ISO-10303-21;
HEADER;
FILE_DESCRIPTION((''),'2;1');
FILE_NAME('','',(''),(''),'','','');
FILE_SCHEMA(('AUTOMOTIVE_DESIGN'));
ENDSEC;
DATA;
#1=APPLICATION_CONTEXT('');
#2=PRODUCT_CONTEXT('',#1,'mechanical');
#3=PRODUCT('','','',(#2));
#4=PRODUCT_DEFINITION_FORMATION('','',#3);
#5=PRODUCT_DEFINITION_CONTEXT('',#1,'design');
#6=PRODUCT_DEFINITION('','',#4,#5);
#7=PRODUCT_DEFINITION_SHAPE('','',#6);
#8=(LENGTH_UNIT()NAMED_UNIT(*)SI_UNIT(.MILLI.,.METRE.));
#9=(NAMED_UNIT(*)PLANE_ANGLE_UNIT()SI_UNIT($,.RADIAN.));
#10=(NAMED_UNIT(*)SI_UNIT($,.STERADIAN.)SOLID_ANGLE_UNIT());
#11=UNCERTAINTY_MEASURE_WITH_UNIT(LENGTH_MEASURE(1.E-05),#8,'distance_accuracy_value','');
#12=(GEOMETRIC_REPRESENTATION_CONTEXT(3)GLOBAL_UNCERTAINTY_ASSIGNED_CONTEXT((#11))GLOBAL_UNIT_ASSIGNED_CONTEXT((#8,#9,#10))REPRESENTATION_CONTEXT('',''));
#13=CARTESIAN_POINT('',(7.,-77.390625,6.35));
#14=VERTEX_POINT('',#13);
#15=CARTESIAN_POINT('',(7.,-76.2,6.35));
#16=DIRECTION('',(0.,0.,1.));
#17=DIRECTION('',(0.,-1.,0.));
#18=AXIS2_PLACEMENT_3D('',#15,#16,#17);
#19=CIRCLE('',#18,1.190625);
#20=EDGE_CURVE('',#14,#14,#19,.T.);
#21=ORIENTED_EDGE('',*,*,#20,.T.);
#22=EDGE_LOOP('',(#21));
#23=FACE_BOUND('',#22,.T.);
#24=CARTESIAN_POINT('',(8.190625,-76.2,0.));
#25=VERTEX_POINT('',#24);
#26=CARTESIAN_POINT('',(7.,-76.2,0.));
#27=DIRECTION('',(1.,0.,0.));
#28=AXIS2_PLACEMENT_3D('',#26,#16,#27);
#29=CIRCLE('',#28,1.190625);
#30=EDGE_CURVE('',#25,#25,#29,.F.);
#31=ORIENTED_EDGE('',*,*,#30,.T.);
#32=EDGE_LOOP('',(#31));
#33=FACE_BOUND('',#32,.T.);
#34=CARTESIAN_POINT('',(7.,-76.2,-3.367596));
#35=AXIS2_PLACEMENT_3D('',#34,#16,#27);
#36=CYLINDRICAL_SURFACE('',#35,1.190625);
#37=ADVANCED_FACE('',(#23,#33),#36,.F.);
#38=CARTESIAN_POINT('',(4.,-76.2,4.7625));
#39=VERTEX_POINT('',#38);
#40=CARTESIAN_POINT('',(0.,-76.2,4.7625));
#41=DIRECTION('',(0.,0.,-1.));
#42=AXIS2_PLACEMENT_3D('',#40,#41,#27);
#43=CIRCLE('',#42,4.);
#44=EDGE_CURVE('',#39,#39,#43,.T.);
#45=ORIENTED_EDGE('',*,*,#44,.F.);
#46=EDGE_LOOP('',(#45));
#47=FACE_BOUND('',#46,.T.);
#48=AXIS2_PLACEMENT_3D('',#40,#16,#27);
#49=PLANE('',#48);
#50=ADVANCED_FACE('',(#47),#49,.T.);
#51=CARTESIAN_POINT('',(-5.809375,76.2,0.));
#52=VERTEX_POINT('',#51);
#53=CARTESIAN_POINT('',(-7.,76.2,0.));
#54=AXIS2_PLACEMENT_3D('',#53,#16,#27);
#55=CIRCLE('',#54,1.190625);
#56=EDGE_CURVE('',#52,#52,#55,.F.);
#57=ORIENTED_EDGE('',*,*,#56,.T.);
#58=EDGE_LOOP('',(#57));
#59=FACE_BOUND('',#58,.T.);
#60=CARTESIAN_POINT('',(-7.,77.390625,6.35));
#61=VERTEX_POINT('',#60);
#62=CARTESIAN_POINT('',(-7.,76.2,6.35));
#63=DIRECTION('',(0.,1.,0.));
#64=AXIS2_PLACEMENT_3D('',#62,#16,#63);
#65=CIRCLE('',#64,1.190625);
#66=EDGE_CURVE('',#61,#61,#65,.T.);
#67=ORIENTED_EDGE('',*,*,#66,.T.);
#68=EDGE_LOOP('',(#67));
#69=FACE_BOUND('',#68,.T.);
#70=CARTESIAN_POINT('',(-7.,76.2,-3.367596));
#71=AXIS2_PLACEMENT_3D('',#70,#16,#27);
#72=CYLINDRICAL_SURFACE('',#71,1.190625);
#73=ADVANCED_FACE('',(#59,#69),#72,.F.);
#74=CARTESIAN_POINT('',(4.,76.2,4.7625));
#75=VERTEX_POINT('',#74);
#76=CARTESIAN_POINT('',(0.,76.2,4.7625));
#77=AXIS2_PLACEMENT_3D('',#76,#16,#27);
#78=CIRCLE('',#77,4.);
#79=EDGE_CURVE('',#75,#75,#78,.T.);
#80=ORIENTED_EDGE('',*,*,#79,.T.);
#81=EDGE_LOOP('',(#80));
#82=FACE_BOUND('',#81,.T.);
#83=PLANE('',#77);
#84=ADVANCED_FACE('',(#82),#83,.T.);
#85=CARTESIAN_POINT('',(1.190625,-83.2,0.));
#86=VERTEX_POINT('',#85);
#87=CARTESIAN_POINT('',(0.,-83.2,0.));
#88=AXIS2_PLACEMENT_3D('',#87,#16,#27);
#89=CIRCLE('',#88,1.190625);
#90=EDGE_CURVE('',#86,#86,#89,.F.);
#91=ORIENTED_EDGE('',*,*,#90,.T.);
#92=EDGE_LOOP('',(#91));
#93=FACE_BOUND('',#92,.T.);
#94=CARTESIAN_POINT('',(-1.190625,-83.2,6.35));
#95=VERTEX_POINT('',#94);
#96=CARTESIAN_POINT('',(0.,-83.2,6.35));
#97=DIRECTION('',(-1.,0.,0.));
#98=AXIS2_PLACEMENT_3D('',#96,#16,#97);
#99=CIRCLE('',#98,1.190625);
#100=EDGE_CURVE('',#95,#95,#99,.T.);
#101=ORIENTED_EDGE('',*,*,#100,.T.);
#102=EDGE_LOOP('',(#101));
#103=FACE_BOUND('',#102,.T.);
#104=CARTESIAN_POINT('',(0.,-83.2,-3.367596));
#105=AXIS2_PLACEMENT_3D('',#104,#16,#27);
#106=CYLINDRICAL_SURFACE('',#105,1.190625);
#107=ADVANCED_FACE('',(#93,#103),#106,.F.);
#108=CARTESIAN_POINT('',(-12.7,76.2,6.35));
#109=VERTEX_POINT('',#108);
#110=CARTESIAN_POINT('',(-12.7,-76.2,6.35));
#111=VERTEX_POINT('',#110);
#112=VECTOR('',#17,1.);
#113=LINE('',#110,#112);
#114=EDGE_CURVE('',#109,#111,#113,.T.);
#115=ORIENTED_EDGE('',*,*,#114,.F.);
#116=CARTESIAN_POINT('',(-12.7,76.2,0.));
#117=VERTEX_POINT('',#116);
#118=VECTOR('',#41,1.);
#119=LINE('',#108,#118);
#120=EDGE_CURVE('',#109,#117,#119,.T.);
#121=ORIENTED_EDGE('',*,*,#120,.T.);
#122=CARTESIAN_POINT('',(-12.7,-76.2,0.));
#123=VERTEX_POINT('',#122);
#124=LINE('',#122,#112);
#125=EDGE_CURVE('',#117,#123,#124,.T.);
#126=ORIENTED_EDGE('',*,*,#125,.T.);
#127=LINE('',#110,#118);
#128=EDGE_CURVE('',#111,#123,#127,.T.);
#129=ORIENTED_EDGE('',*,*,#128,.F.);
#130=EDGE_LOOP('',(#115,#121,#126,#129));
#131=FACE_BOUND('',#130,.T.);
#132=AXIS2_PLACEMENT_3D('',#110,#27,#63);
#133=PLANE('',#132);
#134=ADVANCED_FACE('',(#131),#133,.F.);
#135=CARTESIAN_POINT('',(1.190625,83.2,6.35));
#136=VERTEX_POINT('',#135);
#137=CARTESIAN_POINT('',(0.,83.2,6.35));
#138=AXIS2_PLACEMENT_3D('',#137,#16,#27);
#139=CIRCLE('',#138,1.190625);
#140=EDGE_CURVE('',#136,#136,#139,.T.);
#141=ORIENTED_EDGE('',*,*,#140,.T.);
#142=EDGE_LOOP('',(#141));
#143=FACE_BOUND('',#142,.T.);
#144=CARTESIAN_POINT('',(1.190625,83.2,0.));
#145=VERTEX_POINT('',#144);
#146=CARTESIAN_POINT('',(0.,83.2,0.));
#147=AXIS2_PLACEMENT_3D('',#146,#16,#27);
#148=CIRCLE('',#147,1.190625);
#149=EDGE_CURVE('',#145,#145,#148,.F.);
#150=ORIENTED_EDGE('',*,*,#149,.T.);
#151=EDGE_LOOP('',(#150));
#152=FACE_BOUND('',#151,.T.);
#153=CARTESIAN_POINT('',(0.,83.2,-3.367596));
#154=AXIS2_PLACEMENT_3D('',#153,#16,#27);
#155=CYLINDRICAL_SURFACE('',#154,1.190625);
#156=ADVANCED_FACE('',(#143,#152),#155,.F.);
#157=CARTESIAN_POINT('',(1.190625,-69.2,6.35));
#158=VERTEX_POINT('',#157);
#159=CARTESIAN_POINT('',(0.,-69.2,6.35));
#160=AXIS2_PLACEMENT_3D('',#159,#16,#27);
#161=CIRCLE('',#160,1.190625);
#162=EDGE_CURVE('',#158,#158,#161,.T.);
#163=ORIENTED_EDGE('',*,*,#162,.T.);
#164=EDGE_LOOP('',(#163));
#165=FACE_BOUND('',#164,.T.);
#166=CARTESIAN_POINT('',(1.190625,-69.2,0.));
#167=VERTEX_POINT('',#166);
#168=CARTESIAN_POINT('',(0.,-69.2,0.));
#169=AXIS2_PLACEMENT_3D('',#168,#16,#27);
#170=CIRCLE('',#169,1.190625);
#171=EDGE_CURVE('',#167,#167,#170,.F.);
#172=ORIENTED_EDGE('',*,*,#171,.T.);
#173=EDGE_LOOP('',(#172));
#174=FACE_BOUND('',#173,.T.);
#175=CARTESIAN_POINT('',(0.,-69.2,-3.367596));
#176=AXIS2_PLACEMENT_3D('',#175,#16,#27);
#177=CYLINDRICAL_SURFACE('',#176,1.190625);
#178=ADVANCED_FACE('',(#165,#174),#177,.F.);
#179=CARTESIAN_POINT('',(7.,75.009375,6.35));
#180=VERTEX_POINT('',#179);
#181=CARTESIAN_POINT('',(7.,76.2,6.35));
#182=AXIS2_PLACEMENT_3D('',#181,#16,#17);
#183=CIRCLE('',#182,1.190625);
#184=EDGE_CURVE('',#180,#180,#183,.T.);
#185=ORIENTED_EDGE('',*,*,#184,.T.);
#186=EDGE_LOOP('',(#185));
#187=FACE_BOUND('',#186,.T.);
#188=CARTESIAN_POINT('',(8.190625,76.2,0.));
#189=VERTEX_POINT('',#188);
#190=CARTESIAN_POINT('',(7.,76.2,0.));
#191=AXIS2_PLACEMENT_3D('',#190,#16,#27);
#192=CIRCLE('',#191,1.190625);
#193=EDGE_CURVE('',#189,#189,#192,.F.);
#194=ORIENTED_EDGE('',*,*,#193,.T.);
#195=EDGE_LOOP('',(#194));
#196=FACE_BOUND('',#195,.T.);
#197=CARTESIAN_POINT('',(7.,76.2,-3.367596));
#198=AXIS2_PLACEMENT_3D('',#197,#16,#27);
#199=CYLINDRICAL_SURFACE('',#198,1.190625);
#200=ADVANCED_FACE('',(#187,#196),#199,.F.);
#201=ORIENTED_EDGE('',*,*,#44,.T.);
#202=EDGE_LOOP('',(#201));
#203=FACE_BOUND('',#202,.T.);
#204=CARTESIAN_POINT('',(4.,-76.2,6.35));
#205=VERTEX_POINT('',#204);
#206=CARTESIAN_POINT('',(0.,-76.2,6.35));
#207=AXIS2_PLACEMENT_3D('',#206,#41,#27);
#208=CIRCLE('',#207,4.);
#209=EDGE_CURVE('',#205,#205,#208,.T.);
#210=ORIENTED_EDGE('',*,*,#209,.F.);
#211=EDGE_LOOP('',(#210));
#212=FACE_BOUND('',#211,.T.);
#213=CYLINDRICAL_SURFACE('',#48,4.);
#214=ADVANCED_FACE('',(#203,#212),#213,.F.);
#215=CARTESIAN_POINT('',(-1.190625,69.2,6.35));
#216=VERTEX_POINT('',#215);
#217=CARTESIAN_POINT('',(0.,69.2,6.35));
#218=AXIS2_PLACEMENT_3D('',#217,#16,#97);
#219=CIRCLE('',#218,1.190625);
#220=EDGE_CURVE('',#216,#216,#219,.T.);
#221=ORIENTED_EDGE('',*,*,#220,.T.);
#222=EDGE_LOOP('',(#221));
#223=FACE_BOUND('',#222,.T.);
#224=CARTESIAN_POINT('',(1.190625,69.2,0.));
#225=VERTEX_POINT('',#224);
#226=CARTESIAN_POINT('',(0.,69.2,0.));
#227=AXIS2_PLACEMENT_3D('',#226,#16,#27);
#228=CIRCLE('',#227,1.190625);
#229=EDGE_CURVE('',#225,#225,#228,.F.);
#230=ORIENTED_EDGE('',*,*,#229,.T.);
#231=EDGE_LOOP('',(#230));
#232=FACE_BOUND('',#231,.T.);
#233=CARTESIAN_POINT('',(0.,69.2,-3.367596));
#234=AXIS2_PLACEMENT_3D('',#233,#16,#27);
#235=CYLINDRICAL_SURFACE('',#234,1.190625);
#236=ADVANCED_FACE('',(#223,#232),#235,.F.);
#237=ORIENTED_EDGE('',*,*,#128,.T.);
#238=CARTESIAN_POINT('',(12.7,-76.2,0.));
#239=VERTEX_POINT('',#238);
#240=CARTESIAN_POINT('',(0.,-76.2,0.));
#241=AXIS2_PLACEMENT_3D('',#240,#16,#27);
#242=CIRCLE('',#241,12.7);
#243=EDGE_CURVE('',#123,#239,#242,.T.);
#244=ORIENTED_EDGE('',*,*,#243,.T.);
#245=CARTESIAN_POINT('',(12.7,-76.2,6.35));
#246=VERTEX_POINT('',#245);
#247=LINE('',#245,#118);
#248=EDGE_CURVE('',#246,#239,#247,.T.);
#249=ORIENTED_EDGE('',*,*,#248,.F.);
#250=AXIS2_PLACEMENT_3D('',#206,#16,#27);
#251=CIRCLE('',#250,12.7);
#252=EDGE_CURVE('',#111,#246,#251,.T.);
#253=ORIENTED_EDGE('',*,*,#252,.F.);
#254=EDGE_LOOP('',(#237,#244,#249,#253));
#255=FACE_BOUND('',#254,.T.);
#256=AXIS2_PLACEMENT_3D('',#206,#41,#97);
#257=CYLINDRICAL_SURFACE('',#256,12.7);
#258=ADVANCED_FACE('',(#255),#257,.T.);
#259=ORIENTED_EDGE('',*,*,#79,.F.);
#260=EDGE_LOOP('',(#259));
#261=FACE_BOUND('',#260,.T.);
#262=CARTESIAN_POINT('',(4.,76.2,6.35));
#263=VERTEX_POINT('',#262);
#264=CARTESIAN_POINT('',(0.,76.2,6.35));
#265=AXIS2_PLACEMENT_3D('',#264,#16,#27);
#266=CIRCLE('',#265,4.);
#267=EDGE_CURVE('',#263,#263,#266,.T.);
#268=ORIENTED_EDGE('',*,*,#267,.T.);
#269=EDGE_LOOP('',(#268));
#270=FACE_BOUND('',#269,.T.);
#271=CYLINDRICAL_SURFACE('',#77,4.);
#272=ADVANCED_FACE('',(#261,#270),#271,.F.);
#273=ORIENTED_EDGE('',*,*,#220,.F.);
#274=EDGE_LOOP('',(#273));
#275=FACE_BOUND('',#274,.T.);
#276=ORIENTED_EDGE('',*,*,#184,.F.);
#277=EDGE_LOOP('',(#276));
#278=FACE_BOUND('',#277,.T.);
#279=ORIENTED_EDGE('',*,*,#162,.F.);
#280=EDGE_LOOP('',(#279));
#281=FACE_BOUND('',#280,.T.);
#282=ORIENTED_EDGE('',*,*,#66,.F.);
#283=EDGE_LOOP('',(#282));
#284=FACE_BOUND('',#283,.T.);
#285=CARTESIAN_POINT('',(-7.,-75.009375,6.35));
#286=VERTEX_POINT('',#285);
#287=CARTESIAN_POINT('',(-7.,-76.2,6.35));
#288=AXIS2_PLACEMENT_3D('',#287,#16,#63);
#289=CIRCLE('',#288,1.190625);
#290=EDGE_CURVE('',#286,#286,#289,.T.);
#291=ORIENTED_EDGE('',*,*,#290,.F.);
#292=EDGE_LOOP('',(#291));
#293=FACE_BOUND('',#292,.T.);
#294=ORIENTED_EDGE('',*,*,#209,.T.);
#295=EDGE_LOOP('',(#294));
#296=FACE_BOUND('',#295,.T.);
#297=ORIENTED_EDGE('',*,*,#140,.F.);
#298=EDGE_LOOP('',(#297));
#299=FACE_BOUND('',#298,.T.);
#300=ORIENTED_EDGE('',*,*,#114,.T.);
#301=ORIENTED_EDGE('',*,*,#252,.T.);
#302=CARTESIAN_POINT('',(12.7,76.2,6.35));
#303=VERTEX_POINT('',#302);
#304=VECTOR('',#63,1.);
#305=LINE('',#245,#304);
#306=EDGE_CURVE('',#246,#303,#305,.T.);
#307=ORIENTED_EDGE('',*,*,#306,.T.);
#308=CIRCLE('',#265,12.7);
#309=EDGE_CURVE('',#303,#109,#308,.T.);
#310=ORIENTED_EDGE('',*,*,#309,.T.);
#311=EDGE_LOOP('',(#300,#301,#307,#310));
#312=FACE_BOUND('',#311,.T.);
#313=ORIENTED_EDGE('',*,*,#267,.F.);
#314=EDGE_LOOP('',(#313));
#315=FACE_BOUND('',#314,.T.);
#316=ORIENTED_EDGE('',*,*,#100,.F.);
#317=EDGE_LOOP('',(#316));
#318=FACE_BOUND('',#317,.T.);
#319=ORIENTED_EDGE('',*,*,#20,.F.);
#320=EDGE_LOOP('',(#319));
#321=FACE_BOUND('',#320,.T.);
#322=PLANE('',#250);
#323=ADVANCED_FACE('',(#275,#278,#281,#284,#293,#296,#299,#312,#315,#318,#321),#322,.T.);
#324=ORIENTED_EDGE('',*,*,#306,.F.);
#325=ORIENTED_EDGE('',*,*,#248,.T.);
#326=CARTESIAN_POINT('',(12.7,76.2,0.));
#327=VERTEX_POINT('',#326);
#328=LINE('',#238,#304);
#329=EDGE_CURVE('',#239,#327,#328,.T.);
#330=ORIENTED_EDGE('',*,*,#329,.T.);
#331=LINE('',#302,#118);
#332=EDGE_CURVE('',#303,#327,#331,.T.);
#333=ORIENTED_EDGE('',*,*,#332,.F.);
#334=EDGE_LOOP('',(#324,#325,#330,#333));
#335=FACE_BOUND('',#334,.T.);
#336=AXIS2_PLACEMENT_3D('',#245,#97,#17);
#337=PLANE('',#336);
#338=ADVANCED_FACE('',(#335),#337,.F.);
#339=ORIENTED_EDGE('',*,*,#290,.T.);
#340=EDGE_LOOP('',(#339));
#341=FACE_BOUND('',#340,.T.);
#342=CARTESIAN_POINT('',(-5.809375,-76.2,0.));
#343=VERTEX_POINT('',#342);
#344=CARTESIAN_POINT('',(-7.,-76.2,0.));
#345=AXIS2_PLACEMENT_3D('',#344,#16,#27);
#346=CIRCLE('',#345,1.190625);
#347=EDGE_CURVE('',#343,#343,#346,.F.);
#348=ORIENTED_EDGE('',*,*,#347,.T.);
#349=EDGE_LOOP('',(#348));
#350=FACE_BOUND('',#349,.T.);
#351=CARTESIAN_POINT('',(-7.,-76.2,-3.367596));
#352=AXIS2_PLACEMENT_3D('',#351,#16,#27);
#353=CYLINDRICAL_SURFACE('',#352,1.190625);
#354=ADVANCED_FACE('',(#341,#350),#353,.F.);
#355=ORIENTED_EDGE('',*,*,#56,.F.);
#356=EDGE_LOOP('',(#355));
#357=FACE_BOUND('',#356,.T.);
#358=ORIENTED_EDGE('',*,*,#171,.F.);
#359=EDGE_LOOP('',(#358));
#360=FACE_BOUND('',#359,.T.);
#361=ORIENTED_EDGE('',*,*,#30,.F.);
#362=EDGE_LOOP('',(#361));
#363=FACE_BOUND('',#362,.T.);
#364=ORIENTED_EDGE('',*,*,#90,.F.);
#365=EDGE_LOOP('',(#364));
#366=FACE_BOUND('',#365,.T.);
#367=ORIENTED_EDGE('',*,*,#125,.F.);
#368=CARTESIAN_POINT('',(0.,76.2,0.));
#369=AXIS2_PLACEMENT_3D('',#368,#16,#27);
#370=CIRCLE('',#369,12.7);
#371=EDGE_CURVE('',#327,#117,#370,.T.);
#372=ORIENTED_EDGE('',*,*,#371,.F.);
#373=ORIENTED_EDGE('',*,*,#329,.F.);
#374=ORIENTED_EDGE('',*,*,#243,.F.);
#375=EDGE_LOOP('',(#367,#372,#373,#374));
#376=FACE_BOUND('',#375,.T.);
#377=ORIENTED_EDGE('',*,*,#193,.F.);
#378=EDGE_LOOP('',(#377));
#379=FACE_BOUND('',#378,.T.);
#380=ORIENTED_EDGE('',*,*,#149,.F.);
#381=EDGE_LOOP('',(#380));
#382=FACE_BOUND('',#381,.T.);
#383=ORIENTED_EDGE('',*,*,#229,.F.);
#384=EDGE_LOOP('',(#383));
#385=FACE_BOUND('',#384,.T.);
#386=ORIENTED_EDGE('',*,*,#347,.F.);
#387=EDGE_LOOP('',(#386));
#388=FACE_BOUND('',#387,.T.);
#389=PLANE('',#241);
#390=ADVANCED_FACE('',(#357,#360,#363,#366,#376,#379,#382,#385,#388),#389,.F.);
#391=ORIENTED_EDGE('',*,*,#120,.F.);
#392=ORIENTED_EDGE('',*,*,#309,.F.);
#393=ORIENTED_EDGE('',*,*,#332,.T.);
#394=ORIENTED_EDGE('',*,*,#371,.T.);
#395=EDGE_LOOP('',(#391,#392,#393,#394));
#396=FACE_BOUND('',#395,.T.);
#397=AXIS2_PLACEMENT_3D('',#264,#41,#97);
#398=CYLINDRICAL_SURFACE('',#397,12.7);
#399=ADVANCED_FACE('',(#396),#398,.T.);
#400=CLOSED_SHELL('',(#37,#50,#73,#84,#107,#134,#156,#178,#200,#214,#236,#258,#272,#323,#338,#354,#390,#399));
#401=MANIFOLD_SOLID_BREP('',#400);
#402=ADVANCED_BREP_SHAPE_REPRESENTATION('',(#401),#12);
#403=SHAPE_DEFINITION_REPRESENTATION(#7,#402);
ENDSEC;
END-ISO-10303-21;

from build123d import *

# Parameters (mm, degrees)
BOSS_EXTRUDE1_DEPTH          = 6.35
SKETCH2_R                    = 4
CUT_EXTRUDE1_DEPTH           = 1.5875
SKETCH3_R                    = 1.190625
CUT_EXTRUDE2_DEPTH           = 6.35
CIRPATTERN1_COUNT            = 4
CIRPATTERN2_COPY_1_SKETCH_R  = 1.190625
CIRPATTERN2_COPY_1_DEPTH     = 6.35
CIRPATTERN2_COPY_2_SKETCH_R  = 1.190625
CIRPATTERN2_COPY_2_DEPTH     = 6.35
CIRPATTERN2_COPY_3_SKETCH_R  = 1.190625
CIRPATTERN2_COPY_3_DEPTH     = 6.35
CIRPATTERN2_COPY_4_SKETCH_R  = 1.190625
CIRPATTERN2_COPY_4_DEPTH     = 6.35
CIRPATTERN2_COPY_5_SKETCH_R  = 1.190625
CIRPATTERN2_COPY_5_DEPTH     = 6.35
CIRPATTERN2_COPY_6_SKETCH_R  = 1.190625
CIRPATTERN2_COPY_6_DEPTH     = 6.35
CIRPATTERN2_COPY_7_SKETCH_R  = 1.190625
CIRPATTERN2_COPY_7_DEPTH     = 6.35
CIRPATTERN2_COPY_8_SKETCH_R  = 1.190625
CIRPATTERN2_COPY_8_DEPTH     = 6.35
CIRPATTERN2_COPY_9_SKETCH_R  = 1.190625
CIRPATTERN2_COPY_9_DEPTH     = 6.35
CIRPATTERN2_COPY_10_SKETCH_R = 1.190625
CIRPATTERN2_COPY_10_DEPTH    = 6.35
CIRPATTERN2_COPY_11_SKETCH_R = 1.190625
CIRPATTERN2_COPY_11_DEPTH    = 6.35
CIRPATTERN2_COPY_12_SKETCH_R = 1.190625
CIRPATTERN2_COPY_12_DEPTH    = 6.35


with BuildPart() as part:
    # Sketch1 → Boss-Extrude1 (new body)
    with BuildSketch(Plane.XY):
        with BuildLine():
            Line((-12.7, -76.2), (-12.7, 76.2))
            ThreePointArc((-12.7, 76.2), (0, 88.9), (12.7, 76.2))
            Line((12.7, 76.2), (12.7, -76.2))
            ThreePointArc((12.7, -76.2), (0, -88.9), (-12.7, -76.2))
        make_face()
    extrude(amount=BOSS_EXTRUDE1_DEPTH)

    # Sketch2 → Cut-Extrude1 (cut)
    with BuildSketch(Plane.XY.offset(6.35)):
        with Locations((0, 76.2)):
            Circle(SKETCH2_R)
    cut_extrude1 = extrude(amount=-CUT_EXTRUDE1_DEPTH, mode=Mode.SUBTRACT)

    # Mirror1: Cut-Extrude1 across plane
    add(cut_extrude1.mirror(Plane.ZX), mode=Mode.SUBTRACT)

    # Sketch3 → Cut-Extrude2 (cut)
    with BuildSketch(Plane.XY.offset(6.35)):
        with Locations((0, 83.2)):
            Circle(SKETCH3_R)
        with Locations((0, -69.2)):
            Circle(SKETCH3_R)
    cut_extrude2 = extrude(amount=-CUT_EXTRUDE2_DEPTH, mode=Mode.SUBTRACT)

    # CirPattern1: Cut-Extrude2 ×4 about axis
    cirpattern1_axis = Axis((0, 76.2, 0), (0, 0, 1))
    for i in range(1, CIRPATTERN1_COUNT):
        add(cut_extrude2.rotate(cirpattern1_axis, i * 360 / CIRPATTERN1_COUNT), mode=Mode.SUBTRACT)

    # CirPattern2 copy 1 sketch → CirPattern2 copy 1 (cut)
    with BuildSketch(Plane(origin=(-152.4, 0, 6.35), x_dir=(-1, 0, 0), z_dir=(0, 0, 1))):
        with Locations((0, 83.2)):
            Circle(CIRPATTERN2_COPY_1_SKETCH_R)
        with Locations((0, -69.2)):
            Circle(CIRPATTERN2_COPY_1_SKETCH_R)
    extrude(amount=-CIRPATTERN2_COPY_1_DEPTH, mode=Mode.SUBTRACT)

    # CirPattern2 copy 2 sketch → CirPattern2 copy 2 (cut)
    with BuildSketch(Plane(origin=(-76.2, -228.6, 6.35), x_dir=(0, -1, 0), z_dir=(0, 0, 1))):
        with Locations((0, 83.2)):
            Circle(CIRPATTERN2_COPY_2_SKETCH_R)
        with Locations((0, -69.2)):
            Circle(CIRPATTERN2_COPY_2_SKETCH_R)
    extrude(amount=-CIRPATTERN2_COPY_2_DEPTH, mode=Mode.SUBTRACT)

    # CirPattern2 copy 3 sketch → CirPattern2 copy 3 (cut)
    with BuildSketch(Plane(origin=(152.4, -152.4, 6.35), x_dir=(1, 0, 0), z_dir=(0, 0, 1))):
        with Locations((0, 83.2)):
            Circle(CIRPATTERN2_COPY_3_SKETCH_R)
        with Locations((0, -69.2)):
            Circle(CIRPATTERN2_COPY_3_SKETCH_R)
    extrude(amount=-CIRPATTERN2_COPY_3_DEPTH, mode=Mode.SUBTRACT)

    # CirPattern2 copy 4 sketch → CirPattern2 copy 4 (cut)
    with BuildSketch(Plane(origin=(-228.6, -76.2, 6.35), x_dir=(0, -1, 0), z_dir=(0, 0, 1))):
        with Locations((0, 83.2)):
            Circle(CIRPATTERN2_COPY_4_SKETCH_R)
        with Locations((0, -69.2)):
            Circle(CIRPATTERN2_COPY_4_SKETCH_R)
    extrude(amount=-CIRPATTERN2_COPY_4_DEPTH, mode=Mode.SUBTRACT)

    # CirPattern2 copy 5 sketch → CirPattern2 copy 5 (cut)
    with BuildSketch(Plane(origin=(0, -304.8, 6.35), x_dir=(1, 0, 0), z_dir=(0, 0, 1))):
        with Locations((0, 83.2)):
            Circle(CIRPATTERN2_COPY_5_SKETCH_R)
        with Locations((0, -69.2)):
            Circle(CIRPATTERN2_COPY_5_SKETCH_R)
    extrude(amount=-CIRPATTERN2_COPY_5_DEPTH, mode=Mode.SUBTRACT)

    # CirPattern2 copy 6 sketch → CirPattern2 copy 6 (cut)
    with BuildSketch(Plane(origin=(228.6, -76.2, 6.35), x_dir=(0, 1, 0), z_dir=(0, 0, 1))):
        with Locations((0, 83.2)):
            Circle(CIRPATTERN2_COPY_6_SKETCH_R)
        with Locations((0, -69.2)):
            Circle(CIRPATTERN2_COPY_6_SKETCH_R)
    extrude(amount=-CIRPATTERN2_COPY_6_DEPTH, mode=Mode.SUBTRACT)

    # CirPattern2 copy 7 sketch → CirPattern2 copy 7 (cut)
    with BuildSketch(Plane(origin=(-152.4, -152.4, 6.35), x_dir=(1, 0, 0), z_dir=(0, 0, 1))):
        with Locations((0, 83.2)):
            Circle(CIRPATTERN2_COPY_7_SKETCH_R)
        with Locations((0, -69.2)):
            Circle(CIRPATTERN2_COPY_7_SKETCH_R)
    extrude(amount=-CIRPATTERN2_COPY_7_DEPTH, mode=Mode.SUBTRACT)

    # CirPattern2 copy 8 sketch → CirPattern2 copy 8 (cut)
    with BuildSketch(Plane(origin=(76.2, -228.6, 6.35), x_dir=(0, 1, 0), z_dir=(0, 0, 1))):
        with Locations((0, 83.2)):
            Circle(CIRPATTERN2_COPY_8_SKETCH_R)
        with Locations((0, -69.2)):
            Circle(CIRPATTERN2_COPY_8_SKETCH_R)
    extrude(amount=-CIRPATTERN2_COPY_8_DEPTH, mode=Mode.SUBTRACT)

    # CirPattern2 copy 9 sketch → CirPattern2 copy 9 (cut)
    with BuildSketch(Plane(origin=(152.4, 0, 6.35), x_dir=(-1, 0, 0), z_dir=(0, 0, 1))):
        with Locations((0, 83.2)):
            Circle(CIRPATTERN2_COPY_9_SKETCH_R)
        with Locations((0, -69.2)):
            Circle(CIRPATTERN2_COPY_9_SKETCH_R)
    extrude(amount=-CIRPATTERN2_COPY_9_DEPTH, mode=Mode.SUBTRACT)

    # CirPattern2 copy 10 sketch → CirPattern2 copy 10 (cut)
    with BuildSketch(Plane(origin=(-76.2, -76.2, 6.35), x_dir=(0, 1, 0), z_dir=(0, 0, 1))):
        with Locations((0, 83.2)):
            Circle(CIRPATTERN2_COPY_10_SKETCH_R)
        with Locations((0, -69.2)):
            Circle(CIRPATTERN2_COPY_10_SKETCH_R)
    extrude(amount=-CIRPATTERN2_COPY_10_DEPTH, mode=Mode.SUBTRACT)

    # CirPattern2 copy 11 sketch → CirPattern2 copy 11 (cut)
    with BuildSketch(Plane(origin=(0, -152.4, 6.35), x_dir=(-1, 0, 0), z_dir=(0, 0, 1))):
        with Locations((0, 83.2)):
            Circle(CIRPATTERN2_COPY_11_SKETCH_R)
        with Locations((0, -69.2)):
            Circle(CIRPATTERN2_COPY_11_SKETCH_R)
    extrude(amount=-CIRPATTERN2_COPY_11_DEPTH, mode=Mode.SUBTRACT)

    # CirPattern2 copy 12 sketch → CirPattern2 copy 12 (cut)
    with BuildSketch(Plane(origin=(76.2, -76.2, 6.35), x_dir=(0, -1, 0), z_dir=(0, 0, 1))):
        with Locations((0, 83.2)):
            Circle(CIRPATTERN2_COPY_12_SKETCH_R)
        with Locations((0, -69.2)):
            Circle(CIRPATTERN2_COPY_12_SKETCH_R)
    extrude(amount=-CIRPATTERN2_COPY_12_DEPTH, mode=Mode.SUBTRACT)


solid = part.part
